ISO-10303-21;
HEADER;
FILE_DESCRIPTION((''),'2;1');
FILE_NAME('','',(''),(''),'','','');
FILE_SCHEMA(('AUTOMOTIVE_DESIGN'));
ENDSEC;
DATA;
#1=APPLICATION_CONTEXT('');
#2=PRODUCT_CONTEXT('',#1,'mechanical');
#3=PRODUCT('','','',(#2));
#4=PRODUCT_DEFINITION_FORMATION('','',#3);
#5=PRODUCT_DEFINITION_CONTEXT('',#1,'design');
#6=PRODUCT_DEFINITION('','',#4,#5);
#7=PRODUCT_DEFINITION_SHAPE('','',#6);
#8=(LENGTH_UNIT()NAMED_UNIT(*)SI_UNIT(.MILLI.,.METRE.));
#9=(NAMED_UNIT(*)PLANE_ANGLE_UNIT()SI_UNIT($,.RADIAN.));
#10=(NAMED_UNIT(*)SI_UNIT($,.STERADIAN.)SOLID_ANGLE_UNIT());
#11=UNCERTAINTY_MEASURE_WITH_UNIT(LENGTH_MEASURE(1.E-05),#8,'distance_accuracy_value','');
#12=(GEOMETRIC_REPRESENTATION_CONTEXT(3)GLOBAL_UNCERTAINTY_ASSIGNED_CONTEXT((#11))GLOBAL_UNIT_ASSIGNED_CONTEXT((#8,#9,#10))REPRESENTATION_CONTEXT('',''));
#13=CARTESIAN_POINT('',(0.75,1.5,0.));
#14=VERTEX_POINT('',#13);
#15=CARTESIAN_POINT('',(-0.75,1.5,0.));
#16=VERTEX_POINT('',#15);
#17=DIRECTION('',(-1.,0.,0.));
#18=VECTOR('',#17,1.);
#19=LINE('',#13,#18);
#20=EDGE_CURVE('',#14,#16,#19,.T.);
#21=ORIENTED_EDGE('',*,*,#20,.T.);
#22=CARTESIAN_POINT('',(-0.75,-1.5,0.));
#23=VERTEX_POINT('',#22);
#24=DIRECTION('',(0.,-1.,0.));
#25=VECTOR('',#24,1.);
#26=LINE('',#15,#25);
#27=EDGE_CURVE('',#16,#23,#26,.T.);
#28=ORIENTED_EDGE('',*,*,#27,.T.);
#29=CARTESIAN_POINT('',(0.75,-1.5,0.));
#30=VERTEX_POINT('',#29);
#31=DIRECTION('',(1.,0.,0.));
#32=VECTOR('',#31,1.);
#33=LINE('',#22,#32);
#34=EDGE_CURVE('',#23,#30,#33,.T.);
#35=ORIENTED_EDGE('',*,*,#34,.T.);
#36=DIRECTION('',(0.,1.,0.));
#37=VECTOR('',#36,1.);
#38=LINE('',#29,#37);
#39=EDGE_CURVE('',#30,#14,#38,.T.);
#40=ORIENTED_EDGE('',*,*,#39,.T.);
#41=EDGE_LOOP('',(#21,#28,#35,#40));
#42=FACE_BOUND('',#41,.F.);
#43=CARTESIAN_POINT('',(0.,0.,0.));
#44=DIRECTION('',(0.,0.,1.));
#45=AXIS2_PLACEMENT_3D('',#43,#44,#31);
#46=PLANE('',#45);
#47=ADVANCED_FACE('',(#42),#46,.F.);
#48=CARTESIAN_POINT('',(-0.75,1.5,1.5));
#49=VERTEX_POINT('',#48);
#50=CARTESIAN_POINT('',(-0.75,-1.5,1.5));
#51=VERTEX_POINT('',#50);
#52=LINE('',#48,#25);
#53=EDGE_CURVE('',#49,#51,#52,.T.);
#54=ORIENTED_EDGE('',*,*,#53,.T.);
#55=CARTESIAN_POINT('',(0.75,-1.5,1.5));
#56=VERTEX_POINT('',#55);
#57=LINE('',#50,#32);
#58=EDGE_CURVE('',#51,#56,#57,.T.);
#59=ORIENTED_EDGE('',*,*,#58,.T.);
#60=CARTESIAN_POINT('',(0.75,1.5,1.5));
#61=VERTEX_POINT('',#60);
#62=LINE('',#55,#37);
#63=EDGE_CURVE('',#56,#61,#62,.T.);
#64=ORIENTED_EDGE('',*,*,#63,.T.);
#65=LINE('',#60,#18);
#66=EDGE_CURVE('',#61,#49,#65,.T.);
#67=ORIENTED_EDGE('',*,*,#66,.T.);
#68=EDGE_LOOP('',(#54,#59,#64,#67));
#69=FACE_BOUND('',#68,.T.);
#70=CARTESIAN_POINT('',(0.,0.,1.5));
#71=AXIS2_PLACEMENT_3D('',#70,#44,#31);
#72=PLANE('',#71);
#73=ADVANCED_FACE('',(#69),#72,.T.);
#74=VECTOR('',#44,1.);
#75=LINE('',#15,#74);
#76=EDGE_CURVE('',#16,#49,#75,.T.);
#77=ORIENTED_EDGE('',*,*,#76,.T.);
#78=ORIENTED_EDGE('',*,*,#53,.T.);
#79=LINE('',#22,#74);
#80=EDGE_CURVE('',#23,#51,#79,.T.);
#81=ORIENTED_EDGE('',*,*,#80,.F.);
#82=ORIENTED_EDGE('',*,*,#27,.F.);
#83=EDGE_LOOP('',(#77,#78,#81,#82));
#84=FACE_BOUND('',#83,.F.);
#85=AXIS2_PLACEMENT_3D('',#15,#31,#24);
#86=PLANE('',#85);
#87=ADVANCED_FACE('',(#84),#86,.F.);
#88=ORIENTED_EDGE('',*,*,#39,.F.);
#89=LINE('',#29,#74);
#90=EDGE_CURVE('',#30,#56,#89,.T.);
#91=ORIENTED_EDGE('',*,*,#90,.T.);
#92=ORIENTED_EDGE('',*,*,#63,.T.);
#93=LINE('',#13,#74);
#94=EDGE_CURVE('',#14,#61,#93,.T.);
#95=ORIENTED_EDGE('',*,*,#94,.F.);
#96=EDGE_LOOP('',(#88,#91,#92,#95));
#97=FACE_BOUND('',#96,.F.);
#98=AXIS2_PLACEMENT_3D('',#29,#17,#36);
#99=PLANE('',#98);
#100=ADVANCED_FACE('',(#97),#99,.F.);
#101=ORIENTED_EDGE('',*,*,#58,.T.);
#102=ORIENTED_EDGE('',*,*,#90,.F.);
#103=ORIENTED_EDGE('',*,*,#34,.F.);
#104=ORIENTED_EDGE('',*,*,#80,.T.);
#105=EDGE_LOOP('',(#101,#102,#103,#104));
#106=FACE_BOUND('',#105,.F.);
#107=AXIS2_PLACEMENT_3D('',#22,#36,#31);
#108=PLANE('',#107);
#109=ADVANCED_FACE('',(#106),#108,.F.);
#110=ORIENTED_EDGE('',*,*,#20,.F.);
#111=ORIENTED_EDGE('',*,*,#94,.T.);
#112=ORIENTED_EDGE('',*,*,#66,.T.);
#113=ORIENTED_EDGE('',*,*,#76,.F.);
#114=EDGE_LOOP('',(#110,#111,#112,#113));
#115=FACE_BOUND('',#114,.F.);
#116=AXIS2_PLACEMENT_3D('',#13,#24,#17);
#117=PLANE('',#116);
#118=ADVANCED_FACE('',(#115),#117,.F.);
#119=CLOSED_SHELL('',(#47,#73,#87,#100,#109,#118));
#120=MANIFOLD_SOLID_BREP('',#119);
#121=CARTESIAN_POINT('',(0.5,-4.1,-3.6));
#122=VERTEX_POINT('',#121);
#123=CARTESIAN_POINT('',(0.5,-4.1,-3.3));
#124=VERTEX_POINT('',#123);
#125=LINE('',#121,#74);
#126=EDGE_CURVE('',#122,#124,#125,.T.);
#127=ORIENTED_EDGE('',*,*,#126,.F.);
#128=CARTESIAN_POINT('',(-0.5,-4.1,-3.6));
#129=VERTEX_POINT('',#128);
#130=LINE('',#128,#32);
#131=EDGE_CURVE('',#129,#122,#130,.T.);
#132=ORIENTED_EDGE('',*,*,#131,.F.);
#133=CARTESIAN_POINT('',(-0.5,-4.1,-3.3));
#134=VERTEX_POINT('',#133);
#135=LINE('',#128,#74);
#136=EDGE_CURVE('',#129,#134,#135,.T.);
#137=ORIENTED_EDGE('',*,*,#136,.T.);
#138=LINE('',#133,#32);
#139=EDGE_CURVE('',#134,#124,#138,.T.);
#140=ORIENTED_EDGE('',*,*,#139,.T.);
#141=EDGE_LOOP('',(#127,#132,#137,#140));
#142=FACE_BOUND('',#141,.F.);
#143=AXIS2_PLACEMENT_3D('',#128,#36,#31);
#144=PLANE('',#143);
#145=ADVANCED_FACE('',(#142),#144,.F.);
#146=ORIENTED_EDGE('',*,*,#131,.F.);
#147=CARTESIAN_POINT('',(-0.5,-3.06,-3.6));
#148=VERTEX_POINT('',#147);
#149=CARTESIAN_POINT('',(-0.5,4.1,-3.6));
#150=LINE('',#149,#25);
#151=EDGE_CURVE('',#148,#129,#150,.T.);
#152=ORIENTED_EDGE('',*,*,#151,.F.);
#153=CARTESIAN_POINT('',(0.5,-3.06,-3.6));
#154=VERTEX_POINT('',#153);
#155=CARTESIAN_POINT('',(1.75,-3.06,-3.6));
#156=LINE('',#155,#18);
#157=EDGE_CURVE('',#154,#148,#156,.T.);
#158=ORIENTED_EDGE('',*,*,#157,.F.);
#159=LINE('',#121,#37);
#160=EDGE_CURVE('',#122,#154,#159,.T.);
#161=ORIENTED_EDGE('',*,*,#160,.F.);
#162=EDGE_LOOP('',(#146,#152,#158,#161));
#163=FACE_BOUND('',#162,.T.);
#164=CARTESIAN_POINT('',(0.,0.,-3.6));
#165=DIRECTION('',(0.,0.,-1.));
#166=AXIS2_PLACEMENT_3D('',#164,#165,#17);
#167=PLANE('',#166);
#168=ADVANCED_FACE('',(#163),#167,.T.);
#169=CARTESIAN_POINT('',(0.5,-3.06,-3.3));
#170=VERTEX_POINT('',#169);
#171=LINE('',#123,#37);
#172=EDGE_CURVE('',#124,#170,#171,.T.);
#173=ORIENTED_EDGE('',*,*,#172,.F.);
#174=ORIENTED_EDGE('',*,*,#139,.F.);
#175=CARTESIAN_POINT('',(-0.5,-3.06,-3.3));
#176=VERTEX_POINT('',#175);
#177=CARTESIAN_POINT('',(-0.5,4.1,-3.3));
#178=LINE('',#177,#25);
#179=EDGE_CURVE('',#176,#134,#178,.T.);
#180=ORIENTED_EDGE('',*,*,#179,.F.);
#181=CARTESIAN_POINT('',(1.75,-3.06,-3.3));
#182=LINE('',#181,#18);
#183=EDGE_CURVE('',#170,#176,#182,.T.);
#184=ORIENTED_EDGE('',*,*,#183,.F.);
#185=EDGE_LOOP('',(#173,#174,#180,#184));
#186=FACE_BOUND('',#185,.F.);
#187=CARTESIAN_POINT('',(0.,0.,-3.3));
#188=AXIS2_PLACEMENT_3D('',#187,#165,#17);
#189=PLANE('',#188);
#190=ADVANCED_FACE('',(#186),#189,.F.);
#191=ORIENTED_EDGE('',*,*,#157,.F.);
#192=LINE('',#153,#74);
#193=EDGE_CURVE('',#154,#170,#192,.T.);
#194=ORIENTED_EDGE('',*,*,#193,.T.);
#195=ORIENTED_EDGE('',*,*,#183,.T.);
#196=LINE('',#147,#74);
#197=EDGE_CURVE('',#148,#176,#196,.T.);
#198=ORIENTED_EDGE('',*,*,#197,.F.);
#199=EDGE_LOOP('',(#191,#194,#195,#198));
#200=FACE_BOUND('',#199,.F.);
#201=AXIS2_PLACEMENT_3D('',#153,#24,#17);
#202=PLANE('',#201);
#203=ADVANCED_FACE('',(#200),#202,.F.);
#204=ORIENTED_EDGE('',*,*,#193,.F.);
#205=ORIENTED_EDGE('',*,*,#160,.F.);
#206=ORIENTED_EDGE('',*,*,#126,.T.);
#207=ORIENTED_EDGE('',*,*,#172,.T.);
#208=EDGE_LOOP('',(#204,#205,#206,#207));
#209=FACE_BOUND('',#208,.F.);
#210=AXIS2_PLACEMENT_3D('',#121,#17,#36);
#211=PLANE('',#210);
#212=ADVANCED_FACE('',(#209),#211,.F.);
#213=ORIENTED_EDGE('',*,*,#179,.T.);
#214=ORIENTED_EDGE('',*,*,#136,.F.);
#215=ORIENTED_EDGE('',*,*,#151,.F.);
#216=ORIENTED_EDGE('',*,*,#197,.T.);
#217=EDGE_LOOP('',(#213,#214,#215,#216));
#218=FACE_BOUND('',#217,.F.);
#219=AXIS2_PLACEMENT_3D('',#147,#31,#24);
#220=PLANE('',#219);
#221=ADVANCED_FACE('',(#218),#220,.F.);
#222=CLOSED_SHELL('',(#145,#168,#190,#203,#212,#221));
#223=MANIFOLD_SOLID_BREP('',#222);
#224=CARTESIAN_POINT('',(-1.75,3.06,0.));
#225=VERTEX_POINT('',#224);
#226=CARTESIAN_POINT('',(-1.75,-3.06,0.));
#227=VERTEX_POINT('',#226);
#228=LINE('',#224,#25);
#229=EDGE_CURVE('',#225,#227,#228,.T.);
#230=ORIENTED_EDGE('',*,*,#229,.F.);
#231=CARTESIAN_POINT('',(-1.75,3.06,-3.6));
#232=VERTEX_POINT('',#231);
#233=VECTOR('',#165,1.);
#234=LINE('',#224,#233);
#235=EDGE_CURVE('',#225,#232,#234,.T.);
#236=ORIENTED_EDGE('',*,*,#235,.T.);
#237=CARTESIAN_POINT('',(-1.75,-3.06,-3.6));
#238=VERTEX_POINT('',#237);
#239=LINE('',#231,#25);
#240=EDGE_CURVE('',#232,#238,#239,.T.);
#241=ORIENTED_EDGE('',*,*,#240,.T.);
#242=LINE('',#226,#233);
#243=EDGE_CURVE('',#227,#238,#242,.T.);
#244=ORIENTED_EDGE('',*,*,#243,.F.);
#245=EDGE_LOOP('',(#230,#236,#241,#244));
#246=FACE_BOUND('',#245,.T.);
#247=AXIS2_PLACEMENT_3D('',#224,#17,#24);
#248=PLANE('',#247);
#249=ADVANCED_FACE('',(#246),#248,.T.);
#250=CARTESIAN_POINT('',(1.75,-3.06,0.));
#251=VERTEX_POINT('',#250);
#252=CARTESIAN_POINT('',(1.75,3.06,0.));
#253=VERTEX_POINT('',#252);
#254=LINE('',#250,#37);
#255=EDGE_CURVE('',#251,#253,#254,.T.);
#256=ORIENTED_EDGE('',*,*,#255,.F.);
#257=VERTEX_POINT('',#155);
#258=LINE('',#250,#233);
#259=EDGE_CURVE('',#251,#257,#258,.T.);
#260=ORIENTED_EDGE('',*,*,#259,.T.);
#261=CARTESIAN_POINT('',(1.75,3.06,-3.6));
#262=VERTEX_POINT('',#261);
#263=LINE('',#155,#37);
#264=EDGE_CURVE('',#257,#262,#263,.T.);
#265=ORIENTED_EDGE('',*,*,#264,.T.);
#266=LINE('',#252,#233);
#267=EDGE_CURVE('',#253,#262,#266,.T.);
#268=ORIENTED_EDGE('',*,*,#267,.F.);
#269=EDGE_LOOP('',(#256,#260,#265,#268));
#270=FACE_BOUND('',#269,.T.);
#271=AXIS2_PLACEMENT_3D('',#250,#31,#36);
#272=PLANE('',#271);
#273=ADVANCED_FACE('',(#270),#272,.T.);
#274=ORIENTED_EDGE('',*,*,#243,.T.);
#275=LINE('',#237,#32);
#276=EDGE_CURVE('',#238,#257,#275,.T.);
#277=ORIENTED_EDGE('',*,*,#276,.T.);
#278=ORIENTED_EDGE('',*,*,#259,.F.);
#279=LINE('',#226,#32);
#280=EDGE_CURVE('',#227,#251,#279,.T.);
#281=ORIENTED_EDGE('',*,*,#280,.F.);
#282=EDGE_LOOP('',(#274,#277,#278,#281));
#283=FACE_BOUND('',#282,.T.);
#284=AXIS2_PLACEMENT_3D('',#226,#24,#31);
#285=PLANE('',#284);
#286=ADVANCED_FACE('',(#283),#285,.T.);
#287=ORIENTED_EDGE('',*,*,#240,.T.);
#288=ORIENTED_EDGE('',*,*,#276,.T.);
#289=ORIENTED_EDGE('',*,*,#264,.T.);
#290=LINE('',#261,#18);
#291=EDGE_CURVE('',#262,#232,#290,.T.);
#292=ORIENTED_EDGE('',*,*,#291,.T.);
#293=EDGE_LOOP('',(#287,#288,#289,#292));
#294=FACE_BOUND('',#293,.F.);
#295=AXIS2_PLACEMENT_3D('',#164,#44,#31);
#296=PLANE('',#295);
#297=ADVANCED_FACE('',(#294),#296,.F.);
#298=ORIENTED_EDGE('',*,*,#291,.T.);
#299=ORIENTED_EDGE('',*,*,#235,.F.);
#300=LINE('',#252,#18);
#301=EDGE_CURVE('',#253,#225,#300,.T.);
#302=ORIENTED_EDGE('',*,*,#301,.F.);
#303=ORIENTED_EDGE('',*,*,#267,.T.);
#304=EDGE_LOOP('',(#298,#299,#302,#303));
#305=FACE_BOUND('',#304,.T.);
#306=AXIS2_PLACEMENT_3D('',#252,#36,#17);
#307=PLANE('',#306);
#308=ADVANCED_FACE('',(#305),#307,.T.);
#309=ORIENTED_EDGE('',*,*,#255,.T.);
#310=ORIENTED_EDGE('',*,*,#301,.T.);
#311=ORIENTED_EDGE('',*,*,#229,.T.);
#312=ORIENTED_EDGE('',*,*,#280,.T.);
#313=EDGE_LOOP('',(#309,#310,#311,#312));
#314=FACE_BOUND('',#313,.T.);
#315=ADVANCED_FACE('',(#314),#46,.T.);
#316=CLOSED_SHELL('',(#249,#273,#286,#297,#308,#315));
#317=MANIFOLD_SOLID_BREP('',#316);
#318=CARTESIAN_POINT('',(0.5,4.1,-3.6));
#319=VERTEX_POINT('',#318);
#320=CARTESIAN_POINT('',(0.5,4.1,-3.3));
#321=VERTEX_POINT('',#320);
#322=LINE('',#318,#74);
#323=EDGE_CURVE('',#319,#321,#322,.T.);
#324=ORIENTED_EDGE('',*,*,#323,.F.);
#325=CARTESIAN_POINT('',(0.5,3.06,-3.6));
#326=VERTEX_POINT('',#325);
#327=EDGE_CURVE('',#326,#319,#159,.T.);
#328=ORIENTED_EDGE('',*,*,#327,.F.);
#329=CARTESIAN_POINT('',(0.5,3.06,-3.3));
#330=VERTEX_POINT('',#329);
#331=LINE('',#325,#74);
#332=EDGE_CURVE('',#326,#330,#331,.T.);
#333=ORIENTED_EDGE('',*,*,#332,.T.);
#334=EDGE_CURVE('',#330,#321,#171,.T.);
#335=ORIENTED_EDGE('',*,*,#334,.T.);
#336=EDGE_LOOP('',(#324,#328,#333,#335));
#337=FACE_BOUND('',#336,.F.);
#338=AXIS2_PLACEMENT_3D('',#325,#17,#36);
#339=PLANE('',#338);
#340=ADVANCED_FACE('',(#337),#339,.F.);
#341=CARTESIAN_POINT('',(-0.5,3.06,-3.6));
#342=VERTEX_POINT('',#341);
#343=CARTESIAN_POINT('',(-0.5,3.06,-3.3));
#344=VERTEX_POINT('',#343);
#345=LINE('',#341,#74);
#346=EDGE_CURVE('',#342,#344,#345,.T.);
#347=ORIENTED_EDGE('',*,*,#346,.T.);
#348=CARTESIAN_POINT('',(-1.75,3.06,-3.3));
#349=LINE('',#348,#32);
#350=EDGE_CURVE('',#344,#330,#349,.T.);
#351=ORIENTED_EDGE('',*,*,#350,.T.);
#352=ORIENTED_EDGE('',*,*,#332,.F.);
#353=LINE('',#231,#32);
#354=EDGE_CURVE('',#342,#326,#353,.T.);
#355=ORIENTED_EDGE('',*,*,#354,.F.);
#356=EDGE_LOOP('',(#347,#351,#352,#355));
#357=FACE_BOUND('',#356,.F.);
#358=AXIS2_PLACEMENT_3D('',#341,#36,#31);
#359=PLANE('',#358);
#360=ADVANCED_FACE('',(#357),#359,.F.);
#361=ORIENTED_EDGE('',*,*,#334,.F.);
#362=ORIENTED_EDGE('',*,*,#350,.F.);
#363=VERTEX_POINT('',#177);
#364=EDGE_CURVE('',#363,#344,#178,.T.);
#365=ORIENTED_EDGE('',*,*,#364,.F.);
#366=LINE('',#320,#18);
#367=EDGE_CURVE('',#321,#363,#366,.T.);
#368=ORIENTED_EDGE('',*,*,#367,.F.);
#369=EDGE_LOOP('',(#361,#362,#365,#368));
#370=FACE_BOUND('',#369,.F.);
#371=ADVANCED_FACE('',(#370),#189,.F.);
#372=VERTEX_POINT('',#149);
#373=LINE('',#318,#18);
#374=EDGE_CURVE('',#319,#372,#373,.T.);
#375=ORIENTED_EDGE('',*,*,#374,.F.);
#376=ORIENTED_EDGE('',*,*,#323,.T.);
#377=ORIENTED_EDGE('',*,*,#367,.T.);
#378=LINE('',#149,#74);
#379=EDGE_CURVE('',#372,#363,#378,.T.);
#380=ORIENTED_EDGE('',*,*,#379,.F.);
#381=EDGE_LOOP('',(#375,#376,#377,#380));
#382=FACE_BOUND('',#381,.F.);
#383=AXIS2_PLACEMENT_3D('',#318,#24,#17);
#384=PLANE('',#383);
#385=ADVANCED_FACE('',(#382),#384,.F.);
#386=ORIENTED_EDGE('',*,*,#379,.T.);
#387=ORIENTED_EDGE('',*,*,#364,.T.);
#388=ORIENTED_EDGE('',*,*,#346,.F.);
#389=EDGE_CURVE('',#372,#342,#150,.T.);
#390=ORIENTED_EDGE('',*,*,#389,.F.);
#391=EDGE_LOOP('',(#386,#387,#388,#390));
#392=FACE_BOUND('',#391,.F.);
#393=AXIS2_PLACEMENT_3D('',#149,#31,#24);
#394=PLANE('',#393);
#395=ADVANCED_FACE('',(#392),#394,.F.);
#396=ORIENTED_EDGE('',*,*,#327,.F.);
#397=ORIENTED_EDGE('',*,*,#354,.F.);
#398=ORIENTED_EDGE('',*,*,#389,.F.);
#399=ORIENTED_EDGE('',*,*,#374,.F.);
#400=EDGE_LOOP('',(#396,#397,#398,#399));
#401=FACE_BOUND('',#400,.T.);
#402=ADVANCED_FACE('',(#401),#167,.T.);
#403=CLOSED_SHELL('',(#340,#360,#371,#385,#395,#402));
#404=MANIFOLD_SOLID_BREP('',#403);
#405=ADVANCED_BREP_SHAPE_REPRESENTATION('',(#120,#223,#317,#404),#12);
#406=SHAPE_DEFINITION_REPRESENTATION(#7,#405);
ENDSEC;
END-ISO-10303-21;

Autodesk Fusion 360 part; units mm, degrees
sketch "Sketch1" plane through (0, 0, 0) normal (0, 0, 1) x (1, 0, 0)
  line L0 (1.75, 3.06) -> (-1.75, 3.06)
  line L1 (-1.75, 3.06) -> (-1.75, -3.06)
  line L2 (-1.75, -3.06) -> (1.75, -3.06)
  line L3 (1.75, -3.06) -> (1.75, 3.06)
  line L4 (1.75, 3.06) -> (-1.75, -3.06) construction
  line L5 (-1.75, 3.06) -> (1.75, -3.06) construction
  line L6 (0.75, 1.5) -> (-0.75, 1.5)
  line L7 (-0.75, 1.5) -> (-0.75, -1.5)
  line L8 (-0.75, -1.5) -> (0.75, -1.5)
  line L9 (0.75, -1.5) -> (0.75, 1.5)
  line L10 (0.75, 1.5) -> (-0.75, -1.5) construction
  line L11 (-0.75, 1.5) -> (0.75, -1.5) construction
  dimension "d1" = 3.5
  dimension "d2" = 6.12
  dimension "d3" = 1.5
  dimension "d4" = 3
extrude "Extrude1" add sketch "Sketch1" along normal blind 1.5 contours L6 L7 L8 L9 makes body 1
extrude "Extrude2" add sketch "Sketch1" against normal blind 3.6 separate body contours L0 L1 L2 L3 | L6 L7 L8 L9 makes body 2
sketch "Sketch2" plane through (0, 0, -3.6) normal (0, 0, -1) x (-1, 0, 0)
  line L0 (-1.75, 3.06) -> (-1.75, -3.06)
  line L1 (-1.75, -3.06) -> (1.75, -3.06)
  line L2 (1.75, -3.06) -> (1.75, 3.06)
  line L3 (1.75, 3.06) -> (-1.75, 3.06)
  line L4 (-0.5, 4.1) -> (0.5, 4.1)
  line L5 (0.5, 4.1) -> (0.5, -4.1)
  line L6 (0.5, -4.1) -> (-0.5, -4.1)
  line L7 (-0.5, -4.1) -> (-0.5, 4.1)
  line L8 (-0.5, 4.1) -> (0.5, -4.1) construction
  line L9 (0.5, 4.1) -> (-0.5, -4.1) construction
  dimension "d9" = 1
  dimension "d10" = 8.2
extrude "Extrude3" add sketch "Sketch2" against normal blind 0.3 separate body contours L3 L4 L5 L7 | L1 L5 L6 L7 makes body 3 at (0.1667, 3.7533, -3.6) makes body 4 at (0.1667, -3.4067, -3.6)
